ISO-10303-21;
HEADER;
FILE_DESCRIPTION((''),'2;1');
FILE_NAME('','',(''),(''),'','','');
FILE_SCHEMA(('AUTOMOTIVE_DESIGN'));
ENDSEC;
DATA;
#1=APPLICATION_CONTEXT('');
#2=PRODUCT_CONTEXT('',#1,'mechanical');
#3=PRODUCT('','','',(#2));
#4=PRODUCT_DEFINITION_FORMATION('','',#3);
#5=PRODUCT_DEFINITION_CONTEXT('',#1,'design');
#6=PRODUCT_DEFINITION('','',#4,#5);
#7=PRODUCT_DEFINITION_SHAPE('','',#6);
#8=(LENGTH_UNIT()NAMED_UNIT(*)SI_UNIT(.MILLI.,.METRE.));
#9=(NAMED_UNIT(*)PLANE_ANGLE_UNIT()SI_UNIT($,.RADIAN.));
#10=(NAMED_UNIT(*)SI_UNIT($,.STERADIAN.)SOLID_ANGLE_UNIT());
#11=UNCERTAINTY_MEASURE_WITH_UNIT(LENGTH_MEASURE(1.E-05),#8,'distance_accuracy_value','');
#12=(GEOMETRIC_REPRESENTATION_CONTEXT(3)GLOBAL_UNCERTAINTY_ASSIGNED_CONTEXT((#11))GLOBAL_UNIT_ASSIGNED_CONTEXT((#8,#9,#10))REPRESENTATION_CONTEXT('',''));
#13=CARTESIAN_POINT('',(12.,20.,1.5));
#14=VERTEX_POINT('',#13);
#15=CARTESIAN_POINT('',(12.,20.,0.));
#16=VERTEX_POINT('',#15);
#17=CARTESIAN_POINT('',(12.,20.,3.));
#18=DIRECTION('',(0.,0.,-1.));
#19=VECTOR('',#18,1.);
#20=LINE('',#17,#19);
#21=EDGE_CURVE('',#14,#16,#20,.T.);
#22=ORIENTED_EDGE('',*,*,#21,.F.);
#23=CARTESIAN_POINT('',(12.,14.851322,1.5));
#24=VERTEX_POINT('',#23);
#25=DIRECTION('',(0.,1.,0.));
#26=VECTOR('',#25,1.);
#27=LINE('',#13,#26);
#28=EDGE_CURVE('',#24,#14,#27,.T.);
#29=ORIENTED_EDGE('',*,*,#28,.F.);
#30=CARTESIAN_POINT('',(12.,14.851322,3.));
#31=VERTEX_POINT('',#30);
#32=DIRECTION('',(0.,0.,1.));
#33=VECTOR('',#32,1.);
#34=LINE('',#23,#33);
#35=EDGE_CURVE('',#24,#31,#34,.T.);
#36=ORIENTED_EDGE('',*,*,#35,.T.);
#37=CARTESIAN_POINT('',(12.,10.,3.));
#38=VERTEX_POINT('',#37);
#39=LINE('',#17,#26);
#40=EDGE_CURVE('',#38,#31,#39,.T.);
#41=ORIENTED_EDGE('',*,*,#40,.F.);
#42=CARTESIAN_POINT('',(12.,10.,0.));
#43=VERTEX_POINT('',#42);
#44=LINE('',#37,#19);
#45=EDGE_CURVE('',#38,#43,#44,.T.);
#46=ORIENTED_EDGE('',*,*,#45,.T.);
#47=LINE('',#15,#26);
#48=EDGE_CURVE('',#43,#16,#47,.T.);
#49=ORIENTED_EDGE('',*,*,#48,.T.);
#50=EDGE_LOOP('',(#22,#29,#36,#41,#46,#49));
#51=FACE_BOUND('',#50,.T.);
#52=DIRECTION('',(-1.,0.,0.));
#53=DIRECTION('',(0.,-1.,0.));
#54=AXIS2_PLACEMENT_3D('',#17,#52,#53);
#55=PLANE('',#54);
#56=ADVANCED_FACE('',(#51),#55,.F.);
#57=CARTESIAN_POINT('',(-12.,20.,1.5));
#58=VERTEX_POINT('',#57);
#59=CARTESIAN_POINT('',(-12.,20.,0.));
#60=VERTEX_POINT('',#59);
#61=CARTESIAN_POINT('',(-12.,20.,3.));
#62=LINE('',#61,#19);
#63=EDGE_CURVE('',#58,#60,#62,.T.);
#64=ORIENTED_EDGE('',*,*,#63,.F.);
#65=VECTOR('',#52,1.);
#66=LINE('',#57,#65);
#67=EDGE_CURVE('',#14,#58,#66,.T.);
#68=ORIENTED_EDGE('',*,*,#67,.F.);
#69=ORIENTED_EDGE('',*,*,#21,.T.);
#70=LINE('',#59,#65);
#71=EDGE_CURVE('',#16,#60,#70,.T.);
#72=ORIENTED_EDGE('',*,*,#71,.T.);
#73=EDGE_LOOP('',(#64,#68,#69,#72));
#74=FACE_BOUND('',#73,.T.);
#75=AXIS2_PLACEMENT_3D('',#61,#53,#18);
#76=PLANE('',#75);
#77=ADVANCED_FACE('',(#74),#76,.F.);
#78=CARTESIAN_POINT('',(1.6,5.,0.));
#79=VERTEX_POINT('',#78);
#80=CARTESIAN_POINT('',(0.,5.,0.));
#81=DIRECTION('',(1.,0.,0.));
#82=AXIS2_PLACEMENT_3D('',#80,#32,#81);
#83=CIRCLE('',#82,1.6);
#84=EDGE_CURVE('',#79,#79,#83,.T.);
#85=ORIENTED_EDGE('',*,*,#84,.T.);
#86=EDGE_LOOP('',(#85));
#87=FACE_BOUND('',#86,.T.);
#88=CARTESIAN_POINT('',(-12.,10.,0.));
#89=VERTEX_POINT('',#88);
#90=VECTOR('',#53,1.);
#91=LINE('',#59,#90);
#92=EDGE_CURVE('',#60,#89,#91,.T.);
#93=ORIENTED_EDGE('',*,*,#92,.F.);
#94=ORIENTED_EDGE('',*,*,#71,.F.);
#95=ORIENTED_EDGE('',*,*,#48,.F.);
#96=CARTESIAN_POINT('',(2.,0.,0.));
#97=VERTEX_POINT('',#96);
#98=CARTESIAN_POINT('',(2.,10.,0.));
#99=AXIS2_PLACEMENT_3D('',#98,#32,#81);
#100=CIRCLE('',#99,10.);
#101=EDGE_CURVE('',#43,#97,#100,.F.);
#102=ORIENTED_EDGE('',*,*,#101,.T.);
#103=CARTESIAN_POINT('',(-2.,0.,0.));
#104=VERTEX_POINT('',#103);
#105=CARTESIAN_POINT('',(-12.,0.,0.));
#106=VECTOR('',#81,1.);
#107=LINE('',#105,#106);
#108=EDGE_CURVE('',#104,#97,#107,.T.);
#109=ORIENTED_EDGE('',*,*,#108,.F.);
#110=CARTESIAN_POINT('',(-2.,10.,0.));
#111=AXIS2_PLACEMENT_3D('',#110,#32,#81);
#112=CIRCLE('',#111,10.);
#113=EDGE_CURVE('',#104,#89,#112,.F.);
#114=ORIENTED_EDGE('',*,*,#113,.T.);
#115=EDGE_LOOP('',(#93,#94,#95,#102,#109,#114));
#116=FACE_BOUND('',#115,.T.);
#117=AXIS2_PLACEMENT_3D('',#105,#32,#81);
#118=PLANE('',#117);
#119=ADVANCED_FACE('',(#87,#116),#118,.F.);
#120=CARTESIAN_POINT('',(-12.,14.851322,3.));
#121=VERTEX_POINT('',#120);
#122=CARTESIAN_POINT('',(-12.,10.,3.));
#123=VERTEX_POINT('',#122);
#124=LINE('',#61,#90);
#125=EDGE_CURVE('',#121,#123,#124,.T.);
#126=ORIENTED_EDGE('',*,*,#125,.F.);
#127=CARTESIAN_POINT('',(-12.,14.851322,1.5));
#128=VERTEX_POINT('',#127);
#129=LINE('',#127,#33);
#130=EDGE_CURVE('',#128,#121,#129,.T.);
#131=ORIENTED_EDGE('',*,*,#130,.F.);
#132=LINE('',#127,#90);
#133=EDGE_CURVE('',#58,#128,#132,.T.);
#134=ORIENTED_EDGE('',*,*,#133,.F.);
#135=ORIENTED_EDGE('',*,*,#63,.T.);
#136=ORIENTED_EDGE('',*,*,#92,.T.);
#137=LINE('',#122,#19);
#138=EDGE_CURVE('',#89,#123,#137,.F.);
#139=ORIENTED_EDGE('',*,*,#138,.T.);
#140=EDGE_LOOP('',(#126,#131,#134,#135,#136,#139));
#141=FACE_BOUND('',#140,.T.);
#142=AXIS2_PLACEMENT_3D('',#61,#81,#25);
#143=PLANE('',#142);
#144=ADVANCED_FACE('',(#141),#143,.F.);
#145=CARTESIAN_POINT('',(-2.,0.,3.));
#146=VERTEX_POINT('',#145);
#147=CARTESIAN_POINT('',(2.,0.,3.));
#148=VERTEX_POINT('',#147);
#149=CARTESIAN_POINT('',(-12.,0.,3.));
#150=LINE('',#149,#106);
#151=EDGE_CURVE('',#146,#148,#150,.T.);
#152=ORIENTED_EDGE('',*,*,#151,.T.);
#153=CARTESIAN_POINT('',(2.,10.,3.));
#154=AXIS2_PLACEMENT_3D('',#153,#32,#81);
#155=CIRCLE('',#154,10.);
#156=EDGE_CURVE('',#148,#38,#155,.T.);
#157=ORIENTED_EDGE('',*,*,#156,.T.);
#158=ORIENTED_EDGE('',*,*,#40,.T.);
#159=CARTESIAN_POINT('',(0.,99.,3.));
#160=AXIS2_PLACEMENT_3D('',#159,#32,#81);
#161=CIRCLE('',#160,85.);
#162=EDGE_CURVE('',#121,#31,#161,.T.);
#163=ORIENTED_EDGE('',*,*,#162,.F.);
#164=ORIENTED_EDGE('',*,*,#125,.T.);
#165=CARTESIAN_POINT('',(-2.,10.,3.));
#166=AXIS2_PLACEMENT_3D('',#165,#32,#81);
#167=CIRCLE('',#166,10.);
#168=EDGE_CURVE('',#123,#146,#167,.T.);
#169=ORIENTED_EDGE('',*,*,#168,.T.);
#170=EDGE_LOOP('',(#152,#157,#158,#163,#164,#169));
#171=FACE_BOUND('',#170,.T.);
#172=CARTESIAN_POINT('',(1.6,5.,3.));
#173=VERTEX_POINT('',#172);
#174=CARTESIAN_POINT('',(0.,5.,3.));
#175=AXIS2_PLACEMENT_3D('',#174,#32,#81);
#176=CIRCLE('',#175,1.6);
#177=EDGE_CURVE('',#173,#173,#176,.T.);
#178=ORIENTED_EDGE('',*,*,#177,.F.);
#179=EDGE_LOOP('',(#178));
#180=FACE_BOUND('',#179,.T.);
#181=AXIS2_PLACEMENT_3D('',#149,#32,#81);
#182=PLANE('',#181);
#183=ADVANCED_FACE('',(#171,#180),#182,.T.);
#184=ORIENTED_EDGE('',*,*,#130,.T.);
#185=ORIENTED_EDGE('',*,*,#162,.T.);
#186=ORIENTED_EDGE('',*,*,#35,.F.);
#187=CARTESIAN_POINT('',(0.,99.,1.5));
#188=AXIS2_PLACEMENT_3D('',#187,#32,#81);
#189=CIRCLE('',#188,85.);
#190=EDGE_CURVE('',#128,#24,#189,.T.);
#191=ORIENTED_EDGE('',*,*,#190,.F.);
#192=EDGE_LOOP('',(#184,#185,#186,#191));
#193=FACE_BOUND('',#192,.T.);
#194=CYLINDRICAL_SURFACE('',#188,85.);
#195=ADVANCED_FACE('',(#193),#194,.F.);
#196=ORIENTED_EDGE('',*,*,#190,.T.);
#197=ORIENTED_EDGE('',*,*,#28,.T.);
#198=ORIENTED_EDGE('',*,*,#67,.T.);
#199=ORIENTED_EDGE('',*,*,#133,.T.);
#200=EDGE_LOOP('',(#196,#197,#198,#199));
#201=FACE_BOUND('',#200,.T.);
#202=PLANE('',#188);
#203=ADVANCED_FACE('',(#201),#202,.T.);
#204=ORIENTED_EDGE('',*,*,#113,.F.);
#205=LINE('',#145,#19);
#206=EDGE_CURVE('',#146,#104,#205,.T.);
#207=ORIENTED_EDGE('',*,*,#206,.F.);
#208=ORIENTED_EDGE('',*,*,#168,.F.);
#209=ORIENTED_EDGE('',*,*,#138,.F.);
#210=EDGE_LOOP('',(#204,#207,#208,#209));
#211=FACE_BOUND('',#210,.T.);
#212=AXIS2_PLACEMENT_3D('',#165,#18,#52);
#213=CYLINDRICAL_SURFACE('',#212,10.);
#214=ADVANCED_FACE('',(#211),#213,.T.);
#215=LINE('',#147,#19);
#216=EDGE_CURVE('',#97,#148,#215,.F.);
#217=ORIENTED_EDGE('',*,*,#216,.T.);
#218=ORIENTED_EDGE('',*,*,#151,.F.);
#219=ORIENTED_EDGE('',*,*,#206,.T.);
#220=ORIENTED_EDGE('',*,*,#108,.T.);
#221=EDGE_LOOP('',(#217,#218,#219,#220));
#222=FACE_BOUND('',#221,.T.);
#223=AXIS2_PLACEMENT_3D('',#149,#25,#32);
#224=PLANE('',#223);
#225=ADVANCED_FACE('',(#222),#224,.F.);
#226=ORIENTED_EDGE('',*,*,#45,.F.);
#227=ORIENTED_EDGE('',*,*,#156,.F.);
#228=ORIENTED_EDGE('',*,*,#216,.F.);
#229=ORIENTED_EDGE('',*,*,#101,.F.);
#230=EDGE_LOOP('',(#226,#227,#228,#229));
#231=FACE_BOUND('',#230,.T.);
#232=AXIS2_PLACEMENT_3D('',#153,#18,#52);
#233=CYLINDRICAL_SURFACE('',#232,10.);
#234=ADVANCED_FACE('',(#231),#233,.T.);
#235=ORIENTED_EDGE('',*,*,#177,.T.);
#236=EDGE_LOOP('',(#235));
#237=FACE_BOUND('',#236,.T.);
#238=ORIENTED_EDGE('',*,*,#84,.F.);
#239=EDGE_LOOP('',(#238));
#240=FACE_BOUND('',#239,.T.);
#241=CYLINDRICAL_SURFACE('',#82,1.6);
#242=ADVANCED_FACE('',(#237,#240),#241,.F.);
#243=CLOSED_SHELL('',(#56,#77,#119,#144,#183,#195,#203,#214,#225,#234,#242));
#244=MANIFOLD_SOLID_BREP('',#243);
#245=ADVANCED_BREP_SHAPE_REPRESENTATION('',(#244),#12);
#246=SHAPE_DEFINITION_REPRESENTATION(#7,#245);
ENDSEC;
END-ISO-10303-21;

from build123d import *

# Parameters (mm, degrees)
SKETCH1_W           = 24
SKETCH1_H           = 20
BOSS_EXTRUDE1_DEPTH = 3
SKETCH3_R           = 1.6
CUT_EXTRUDE1_DEPTH  = 4
CUT_EXTRUDE2_DEPTH  = 1.5
FILLET1_R           = 10


with BuildPart() as part:
    # Sketch1 → Boss-Extrude1 (new body)
    with BuildSketch(Plane.XY):
        with Locations((0, 10)):
            Rectangle(SKETCH1_W, SKETCH1_H)
    extrude(amount=BOSS_EXTRUDE1_DEPTH)

    # Sketch3 → Cut-Extrude1 (cut, through all)
    with BuildSketch(Plane.XY.offset(3)):
        with Locations((0, 5)):
            Circle(SKETCH3_R)
    extrude(amount=-CUT_EXTRUDE1_DEPTH, mode=Mode.SUBTRACT)

    # Sketch2 → Cut-Extrude2 (cut)
    with BuildSketch(Plane.XY.offset(3)):
        with BuildLine():
            Line((-12, 14.851322054), (-12, 20))
            Line((-12, 20), (12, 20))
            Line((12, 20), (12, 14.851322054))
            ThreePointArc((12, 14.851322054), (0, 14), (-12, 14.851322054))
        make_face()
    extrude(amount=-CUT_EXTRUDE2_DEPTH, mode=Mode.SUBTRACT)

    # Fillet1
    fillet1_edges = [part.edges().sort_by_distance(p)[0] for p in [
        (12, 0, 1.5),
        (-12, 0, 1.5),
    ]]
    fillet(fillet1_edges, radius=FILLET1_R)


solid = part.part
